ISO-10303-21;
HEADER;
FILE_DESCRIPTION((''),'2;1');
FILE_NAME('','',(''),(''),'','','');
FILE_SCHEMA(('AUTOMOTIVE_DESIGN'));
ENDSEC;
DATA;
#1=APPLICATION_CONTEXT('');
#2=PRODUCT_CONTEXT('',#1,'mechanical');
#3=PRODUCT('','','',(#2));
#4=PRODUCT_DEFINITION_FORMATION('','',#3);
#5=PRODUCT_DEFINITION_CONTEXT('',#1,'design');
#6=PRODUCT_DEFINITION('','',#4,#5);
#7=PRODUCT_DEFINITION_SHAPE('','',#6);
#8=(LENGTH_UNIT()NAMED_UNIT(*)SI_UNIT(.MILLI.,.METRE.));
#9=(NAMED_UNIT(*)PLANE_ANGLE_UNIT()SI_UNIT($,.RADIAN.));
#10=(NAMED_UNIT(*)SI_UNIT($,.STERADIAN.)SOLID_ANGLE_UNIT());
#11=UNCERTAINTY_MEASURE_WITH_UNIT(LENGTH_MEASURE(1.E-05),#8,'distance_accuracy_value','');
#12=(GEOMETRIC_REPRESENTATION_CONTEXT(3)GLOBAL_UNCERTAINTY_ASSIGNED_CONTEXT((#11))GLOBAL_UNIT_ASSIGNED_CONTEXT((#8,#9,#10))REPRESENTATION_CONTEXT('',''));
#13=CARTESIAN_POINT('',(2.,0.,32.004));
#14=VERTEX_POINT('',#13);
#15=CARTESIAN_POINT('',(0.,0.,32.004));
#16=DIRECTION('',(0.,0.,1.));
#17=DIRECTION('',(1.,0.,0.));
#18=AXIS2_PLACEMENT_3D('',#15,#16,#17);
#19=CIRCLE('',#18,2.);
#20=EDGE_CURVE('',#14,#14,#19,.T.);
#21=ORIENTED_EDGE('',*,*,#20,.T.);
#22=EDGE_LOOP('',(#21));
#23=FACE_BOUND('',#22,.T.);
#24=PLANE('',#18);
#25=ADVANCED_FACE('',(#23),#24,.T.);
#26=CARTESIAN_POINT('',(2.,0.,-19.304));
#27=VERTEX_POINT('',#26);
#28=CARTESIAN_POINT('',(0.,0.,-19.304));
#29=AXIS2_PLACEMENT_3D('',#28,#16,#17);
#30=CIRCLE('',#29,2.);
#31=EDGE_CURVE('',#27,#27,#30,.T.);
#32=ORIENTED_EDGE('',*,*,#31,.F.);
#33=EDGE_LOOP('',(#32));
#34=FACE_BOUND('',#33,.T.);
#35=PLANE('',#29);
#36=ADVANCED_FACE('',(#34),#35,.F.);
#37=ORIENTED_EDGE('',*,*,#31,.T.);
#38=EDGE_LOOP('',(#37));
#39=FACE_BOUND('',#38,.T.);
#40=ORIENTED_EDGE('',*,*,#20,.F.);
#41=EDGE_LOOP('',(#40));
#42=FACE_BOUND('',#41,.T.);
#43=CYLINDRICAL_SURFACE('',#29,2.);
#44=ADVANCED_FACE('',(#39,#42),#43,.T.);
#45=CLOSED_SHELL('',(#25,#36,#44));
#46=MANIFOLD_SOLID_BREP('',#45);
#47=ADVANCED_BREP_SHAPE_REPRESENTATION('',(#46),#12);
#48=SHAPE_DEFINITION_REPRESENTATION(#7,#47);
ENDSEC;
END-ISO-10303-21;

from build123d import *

# Parameters (mm, degrees)
SKETCH3_R                = 2
BOSS_EXTRUDE1_DEPTH      = 32.004
BOSS_EXTRUDE1_DEPTH_BACK = 19.304


with BuildPart() as part:
    # Sketch3 → Boss-Extrude1 (new body, two sides)
    with BuildSketch(Plane.XY) as boss_extrude1_sk:
        Circle(SKETCH3_R)
    extrude(amount=BOSS_EXTRUDE1_DEPTH)
    extrude(boss_extrude1_sk.sketch, amount=-BOSS_EXTRUDE1_DEPTH_BACK)


solid = part.part
